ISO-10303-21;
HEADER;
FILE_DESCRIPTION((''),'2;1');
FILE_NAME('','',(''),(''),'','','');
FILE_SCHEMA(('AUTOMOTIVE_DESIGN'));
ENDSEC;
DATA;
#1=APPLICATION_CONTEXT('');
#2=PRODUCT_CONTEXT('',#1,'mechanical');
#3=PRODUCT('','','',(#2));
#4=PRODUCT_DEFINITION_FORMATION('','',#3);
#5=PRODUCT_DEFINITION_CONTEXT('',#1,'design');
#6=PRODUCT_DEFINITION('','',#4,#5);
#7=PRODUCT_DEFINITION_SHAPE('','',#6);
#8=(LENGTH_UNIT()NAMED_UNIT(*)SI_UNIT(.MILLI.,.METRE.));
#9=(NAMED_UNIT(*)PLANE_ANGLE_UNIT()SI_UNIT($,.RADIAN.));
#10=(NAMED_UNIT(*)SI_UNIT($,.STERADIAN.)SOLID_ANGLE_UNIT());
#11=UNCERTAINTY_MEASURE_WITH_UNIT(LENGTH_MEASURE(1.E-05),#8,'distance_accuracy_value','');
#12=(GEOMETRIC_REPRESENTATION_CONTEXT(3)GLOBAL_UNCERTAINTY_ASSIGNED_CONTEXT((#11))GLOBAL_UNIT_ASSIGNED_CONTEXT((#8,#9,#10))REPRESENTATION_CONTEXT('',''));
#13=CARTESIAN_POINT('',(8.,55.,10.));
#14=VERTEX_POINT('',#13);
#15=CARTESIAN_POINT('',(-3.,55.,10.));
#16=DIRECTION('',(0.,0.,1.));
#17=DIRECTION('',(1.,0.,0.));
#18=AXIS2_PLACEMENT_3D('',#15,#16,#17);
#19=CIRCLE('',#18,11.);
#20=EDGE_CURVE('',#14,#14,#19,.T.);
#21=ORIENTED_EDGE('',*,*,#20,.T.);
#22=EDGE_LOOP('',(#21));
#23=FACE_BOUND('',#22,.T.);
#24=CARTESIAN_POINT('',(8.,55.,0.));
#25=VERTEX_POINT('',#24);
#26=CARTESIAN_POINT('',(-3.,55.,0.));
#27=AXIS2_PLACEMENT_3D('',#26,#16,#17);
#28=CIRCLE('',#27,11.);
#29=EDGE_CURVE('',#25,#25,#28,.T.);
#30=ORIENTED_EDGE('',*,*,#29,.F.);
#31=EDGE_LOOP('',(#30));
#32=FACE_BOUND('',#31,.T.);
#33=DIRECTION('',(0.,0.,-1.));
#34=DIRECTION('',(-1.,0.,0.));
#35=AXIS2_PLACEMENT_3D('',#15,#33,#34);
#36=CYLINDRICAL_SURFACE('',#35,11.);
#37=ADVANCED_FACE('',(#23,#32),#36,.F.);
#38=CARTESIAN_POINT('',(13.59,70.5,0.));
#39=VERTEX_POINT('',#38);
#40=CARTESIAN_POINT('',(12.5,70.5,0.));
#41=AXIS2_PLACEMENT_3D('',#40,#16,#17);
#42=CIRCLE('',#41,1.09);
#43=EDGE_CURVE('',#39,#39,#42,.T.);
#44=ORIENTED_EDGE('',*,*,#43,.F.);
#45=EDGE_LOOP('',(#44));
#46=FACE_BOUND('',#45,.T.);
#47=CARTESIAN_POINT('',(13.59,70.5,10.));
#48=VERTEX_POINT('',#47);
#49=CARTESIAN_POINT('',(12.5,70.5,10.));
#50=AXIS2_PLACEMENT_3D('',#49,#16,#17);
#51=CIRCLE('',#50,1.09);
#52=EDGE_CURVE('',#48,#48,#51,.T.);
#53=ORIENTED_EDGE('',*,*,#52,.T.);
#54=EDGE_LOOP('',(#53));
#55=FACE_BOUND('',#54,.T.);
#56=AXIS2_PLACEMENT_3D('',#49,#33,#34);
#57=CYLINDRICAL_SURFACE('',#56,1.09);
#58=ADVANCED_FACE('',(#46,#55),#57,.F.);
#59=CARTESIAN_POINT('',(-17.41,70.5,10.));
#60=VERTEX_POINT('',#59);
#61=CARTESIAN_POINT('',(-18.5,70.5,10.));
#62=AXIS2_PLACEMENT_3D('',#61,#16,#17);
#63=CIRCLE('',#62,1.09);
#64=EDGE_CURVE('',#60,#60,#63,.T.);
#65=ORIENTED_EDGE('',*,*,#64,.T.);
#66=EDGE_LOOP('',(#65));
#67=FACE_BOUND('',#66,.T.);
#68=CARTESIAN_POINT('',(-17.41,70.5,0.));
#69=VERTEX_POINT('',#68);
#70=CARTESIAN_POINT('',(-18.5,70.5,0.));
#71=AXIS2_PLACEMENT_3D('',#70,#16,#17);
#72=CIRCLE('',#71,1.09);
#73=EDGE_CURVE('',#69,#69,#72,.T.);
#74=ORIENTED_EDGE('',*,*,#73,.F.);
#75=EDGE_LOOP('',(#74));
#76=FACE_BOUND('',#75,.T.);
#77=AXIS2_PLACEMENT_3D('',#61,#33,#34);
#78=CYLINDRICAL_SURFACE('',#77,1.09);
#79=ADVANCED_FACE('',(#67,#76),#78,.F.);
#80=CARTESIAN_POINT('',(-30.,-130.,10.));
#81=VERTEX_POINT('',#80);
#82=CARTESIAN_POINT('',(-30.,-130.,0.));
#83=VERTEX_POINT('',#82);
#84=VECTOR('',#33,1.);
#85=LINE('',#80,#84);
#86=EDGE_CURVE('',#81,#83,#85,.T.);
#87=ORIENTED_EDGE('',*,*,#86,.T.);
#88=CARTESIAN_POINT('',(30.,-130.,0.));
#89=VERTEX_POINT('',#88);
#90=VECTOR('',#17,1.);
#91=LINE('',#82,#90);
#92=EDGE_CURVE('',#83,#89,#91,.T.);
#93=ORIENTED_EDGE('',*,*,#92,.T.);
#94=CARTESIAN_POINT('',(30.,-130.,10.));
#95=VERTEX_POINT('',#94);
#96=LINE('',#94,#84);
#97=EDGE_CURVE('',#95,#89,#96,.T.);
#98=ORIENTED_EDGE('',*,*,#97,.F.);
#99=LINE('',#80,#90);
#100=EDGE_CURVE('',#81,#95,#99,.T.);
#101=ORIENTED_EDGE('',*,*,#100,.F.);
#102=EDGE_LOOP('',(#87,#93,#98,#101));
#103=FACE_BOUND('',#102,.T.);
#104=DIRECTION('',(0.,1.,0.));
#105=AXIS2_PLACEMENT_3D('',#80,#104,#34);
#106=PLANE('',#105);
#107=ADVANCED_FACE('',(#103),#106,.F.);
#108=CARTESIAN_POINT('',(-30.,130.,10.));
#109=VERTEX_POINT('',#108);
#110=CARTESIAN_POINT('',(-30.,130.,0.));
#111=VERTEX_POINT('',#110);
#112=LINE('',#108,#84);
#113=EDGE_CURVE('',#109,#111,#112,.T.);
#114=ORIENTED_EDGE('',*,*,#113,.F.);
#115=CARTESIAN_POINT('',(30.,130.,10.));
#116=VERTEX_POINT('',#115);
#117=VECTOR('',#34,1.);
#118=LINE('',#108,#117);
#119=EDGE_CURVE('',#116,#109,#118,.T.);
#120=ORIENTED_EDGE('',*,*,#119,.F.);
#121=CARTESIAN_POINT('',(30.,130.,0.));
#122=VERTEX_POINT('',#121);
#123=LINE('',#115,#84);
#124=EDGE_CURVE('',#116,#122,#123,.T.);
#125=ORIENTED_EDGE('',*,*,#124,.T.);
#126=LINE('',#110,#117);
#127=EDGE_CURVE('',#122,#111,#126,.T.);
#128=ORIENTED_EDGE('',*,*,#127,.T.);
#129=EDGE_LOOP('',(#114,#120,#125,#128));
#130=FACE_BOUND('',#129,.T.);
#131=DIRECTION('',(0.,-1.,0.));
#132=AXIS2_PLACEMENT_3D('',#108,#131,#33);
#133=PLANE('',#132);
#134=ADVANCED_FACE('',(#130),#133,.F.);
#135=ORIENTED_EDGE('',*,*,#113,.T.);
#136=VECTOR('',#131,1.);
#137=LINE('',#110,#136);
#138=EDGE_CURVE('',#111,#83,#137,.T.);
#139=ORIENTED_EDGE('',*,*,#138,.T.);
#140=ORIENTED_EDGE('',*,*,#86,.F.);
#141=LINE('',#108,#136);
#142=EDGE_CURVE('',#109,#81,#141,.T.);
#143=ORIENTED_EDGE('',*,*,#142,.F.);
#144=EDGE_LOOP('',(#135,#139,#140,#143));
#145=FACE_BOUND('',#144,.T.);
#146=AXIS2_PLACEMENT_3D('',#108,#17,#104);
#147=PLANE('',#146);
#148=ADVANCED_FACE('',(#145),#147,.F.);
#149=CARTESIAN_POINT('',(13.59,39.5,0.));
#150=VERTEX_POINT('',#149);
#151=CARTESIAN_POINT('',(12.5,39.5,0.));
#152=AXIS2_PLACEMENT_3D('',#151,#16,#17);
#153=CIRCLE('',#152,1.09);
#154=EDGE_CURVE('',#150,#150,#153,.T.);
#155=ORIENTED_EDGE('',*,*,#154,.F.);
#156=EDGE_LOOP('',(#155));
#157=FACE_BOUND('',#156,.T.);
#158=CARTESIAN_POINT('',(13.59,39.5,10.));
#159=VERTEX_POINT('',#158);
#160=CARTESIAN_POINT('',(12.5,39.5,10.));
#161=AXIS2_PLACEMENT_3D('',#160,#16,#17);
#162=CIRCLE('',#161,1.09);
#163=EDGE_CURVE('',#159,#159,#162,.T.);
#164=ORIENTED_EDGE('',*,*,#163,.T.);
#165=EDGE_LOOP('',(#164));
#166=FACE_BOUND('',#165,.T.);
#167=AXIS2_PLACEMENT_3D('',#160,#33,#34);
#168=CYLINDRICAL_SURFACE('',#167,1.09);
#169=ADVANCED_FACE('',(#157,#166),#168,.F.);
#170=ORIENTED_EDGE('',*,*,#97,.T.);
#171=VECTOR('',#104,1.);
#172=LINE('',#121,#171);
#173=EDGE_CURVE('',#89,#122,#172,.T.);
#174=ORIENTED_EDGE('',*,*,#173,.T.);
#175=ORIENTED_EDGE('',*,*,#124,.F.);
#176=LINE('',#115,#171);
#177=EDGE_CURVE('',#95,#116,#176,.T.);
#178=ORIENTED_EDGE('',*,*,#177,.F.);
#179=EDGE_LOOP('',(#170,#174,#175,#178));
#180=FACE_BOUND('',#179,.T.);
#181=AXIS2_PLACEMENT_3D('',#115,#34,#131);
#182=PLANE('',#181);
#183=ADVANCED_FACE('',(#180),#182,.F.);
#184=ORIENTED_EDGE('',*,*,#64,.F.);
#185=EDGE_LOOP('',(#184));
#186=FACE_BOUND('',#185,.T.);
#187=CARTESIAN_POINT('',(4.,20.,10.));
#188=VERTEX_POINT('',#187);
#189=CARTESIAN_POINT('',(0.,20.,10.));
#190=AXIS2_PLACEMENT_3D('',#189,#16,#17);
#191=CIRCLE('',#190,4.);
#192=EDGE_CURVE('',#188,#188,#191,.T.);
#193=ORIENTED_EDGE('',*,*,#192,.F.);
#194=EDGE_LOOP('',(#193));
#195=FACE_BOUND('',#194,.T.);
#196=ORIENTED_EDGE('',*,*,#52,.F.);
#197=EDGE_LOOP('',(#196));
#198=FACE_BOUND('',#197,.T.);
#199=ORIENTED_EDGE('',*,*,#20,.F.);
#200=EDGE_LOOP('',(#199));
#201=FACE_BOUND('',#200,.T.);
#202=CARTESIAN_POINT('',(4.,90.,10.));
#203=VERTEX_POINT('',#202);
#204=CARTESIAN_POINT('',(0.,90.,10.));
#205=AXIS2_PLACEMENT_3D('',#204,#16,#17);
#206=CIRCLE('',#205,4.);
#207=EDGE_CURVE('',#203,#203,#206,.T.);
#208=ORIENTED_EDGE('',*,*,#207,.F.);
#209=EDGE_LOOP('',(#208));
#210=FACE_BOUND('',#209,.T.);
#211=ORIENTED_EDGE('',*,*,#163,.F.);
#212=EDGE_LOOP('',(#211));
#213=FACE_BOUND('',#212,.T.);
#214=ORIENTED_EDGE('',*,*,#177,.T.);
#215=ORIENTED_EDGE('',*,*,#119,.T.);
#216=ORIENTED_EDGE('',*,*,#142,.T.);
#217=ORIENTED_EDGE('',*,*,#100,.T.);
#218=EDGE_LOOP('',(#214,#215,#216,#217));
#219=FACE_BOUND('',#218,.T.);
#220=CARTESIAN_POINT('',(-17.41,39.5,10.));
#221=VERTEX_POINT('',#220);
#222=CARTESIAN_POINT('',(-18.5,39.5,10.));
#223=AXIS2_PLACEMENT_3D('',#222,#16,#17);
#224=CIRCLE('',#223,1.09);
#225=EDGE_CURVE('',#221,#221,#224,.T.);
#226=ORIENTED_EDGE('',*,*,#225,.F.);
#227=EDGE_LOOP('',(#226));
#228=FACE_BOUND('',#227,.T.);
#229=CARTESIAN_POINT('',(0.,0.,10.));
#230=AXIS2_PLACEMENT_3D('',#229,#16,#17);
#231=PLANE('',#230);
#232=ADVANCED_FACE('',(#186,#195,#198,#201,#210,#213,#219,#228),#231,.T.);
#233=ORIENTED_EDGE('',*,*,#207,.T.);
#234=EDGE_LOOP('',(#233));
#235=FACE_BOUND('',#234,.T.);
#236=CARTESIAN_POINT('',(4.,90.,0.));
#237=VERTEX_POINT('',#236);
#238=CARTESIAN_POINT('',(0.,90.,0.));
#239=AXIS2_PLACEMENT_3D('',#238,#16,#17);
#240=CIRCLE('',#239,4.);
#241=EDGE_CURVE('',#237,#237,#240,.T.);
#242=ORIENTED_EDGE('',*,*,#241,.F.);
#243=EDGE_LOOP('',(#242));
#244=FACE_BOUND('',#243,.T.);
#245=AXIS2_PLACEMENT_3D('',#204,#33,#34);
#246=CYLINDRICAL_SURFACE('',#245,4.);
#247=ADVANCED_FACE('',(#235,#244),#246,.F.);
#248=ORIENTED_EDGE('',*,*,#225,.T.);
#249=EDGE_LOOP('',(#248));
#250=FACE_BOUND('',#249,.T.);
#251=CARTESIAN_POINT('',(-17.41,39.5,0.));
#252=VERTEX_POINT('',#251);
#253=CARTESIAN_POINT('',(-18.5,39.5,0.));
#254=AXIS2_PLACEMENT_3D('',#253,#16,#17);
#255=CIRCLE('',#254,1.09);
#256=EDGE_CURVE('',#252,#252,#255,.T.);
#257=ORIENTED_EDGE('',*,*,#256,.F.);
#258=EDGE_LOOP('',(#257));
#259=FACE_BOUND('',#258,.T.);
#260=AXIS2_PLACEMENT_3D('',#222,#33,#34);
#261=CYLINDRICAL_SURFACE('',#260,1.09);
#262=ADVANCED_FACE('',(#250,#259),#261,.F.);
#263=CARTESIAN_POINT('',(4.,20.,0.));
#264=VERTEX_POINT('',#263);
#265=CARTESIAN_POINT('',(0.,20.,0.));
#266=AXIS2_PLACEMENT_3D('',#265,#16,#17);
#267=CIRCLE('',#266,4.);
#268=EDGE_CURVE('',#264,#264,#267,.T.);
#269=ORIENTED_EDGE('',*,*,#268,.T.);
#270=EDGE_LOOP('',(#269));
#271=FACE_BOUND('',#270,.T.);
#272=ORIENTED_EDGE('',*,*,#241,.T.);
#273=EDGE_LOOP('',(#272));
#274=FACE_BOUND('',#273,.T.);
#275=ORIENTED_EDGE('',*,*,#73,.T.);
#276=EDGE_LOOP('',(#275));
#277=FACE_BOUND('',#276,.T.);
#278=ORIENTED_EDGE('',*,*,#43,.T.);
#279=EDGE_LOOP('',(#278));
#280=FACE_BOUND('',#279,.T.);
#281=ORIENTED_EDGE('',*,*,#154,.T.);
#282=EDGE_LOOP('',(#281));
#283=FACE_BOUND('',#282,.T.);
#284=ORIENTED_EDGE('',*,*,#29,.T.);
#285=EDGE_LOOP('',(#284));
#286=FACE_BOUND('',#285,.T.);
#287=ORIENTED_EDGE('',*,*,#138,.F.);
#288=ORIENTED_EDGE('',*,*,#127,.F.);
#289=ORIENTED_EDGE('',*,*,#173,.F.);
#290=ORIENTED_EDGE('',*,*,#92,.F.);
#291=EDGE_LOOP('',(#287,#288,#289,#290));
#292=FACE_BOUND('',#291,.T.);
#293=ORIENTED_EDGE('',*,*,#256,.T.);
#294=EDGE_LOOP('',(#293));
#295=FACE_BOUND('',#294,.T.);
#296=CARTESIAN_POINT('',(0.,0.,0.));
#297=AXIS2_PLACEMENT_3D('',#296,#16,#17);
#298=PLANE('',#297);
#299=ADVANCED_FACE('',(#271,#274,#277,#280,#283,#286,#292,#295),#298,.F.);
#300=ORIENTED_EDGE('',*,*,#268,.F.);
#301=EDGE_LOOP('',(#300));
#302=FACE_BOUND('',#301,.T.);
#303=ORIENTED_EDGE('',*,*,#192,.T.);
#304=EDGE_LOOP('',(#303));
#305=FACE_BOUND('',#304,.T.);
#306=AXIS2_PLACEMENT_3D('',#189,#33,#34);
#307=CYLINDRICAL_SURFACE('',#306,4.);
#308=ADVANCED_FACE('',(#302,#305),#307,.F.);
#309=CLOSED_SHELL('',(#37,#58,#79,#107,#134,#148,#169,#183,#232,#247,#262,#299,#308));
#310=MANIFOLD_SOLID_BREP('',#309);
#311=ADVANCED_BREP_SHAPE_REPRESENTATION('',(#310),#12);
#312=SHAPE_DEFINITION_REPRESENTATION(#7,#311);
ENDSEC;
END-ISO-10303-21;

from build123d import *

# Parameters (mm, degrees)
CROQUIS1_W              = 60
CROQUIS1_H              = 260
CROQUIS1_R              = 11
CROQUIS1_R_2            = 4
CROQUIS1_R_3            = 1.09
SALIENTE_EXTRUIR1_DEPTH = 10


with BuildPart() as part:
    # Croquis1 → Saliente-Extruir1 (new body)
    with BuildSketch(Plane.XY):
        Rectangle(CROQUIS1_W, CROQUIS1_H)
        with Locations((-3, 55)):
            Circle(CROQUIS1_R, mode=Mode.SUBTRACT)
        with Locations((0, 90)):
            Circle(CROQUIS1_R_2, mode=Mode.SUBTRACT)
        with Locations((0, 20)):
            Circle(CROQUIS1_R_2, mode=Mode.SUBTRACT)
        with Locations((-18.5, 70.5)):
            Circle(CROQUIS1_R_3, mode=Mode.SUBTRACT)
        with Locations((12.5, 70.5)):
            Circle(CROQUIS1_R_3, mode=Mode.SUBTRACT)
        with Locations((12.5, 39.5)):
            Circle(CROQUIS1_R_3, mode=Mode.SUBTRACT)
        with Locations((-18.5, 39.5)):
            Circle(CROQUIS1_R_3, mode=Mode.SUBTRACT)
    extrude(amount=SALIENTE_EXTRUIR1_DEPTH)


solid = part.part
